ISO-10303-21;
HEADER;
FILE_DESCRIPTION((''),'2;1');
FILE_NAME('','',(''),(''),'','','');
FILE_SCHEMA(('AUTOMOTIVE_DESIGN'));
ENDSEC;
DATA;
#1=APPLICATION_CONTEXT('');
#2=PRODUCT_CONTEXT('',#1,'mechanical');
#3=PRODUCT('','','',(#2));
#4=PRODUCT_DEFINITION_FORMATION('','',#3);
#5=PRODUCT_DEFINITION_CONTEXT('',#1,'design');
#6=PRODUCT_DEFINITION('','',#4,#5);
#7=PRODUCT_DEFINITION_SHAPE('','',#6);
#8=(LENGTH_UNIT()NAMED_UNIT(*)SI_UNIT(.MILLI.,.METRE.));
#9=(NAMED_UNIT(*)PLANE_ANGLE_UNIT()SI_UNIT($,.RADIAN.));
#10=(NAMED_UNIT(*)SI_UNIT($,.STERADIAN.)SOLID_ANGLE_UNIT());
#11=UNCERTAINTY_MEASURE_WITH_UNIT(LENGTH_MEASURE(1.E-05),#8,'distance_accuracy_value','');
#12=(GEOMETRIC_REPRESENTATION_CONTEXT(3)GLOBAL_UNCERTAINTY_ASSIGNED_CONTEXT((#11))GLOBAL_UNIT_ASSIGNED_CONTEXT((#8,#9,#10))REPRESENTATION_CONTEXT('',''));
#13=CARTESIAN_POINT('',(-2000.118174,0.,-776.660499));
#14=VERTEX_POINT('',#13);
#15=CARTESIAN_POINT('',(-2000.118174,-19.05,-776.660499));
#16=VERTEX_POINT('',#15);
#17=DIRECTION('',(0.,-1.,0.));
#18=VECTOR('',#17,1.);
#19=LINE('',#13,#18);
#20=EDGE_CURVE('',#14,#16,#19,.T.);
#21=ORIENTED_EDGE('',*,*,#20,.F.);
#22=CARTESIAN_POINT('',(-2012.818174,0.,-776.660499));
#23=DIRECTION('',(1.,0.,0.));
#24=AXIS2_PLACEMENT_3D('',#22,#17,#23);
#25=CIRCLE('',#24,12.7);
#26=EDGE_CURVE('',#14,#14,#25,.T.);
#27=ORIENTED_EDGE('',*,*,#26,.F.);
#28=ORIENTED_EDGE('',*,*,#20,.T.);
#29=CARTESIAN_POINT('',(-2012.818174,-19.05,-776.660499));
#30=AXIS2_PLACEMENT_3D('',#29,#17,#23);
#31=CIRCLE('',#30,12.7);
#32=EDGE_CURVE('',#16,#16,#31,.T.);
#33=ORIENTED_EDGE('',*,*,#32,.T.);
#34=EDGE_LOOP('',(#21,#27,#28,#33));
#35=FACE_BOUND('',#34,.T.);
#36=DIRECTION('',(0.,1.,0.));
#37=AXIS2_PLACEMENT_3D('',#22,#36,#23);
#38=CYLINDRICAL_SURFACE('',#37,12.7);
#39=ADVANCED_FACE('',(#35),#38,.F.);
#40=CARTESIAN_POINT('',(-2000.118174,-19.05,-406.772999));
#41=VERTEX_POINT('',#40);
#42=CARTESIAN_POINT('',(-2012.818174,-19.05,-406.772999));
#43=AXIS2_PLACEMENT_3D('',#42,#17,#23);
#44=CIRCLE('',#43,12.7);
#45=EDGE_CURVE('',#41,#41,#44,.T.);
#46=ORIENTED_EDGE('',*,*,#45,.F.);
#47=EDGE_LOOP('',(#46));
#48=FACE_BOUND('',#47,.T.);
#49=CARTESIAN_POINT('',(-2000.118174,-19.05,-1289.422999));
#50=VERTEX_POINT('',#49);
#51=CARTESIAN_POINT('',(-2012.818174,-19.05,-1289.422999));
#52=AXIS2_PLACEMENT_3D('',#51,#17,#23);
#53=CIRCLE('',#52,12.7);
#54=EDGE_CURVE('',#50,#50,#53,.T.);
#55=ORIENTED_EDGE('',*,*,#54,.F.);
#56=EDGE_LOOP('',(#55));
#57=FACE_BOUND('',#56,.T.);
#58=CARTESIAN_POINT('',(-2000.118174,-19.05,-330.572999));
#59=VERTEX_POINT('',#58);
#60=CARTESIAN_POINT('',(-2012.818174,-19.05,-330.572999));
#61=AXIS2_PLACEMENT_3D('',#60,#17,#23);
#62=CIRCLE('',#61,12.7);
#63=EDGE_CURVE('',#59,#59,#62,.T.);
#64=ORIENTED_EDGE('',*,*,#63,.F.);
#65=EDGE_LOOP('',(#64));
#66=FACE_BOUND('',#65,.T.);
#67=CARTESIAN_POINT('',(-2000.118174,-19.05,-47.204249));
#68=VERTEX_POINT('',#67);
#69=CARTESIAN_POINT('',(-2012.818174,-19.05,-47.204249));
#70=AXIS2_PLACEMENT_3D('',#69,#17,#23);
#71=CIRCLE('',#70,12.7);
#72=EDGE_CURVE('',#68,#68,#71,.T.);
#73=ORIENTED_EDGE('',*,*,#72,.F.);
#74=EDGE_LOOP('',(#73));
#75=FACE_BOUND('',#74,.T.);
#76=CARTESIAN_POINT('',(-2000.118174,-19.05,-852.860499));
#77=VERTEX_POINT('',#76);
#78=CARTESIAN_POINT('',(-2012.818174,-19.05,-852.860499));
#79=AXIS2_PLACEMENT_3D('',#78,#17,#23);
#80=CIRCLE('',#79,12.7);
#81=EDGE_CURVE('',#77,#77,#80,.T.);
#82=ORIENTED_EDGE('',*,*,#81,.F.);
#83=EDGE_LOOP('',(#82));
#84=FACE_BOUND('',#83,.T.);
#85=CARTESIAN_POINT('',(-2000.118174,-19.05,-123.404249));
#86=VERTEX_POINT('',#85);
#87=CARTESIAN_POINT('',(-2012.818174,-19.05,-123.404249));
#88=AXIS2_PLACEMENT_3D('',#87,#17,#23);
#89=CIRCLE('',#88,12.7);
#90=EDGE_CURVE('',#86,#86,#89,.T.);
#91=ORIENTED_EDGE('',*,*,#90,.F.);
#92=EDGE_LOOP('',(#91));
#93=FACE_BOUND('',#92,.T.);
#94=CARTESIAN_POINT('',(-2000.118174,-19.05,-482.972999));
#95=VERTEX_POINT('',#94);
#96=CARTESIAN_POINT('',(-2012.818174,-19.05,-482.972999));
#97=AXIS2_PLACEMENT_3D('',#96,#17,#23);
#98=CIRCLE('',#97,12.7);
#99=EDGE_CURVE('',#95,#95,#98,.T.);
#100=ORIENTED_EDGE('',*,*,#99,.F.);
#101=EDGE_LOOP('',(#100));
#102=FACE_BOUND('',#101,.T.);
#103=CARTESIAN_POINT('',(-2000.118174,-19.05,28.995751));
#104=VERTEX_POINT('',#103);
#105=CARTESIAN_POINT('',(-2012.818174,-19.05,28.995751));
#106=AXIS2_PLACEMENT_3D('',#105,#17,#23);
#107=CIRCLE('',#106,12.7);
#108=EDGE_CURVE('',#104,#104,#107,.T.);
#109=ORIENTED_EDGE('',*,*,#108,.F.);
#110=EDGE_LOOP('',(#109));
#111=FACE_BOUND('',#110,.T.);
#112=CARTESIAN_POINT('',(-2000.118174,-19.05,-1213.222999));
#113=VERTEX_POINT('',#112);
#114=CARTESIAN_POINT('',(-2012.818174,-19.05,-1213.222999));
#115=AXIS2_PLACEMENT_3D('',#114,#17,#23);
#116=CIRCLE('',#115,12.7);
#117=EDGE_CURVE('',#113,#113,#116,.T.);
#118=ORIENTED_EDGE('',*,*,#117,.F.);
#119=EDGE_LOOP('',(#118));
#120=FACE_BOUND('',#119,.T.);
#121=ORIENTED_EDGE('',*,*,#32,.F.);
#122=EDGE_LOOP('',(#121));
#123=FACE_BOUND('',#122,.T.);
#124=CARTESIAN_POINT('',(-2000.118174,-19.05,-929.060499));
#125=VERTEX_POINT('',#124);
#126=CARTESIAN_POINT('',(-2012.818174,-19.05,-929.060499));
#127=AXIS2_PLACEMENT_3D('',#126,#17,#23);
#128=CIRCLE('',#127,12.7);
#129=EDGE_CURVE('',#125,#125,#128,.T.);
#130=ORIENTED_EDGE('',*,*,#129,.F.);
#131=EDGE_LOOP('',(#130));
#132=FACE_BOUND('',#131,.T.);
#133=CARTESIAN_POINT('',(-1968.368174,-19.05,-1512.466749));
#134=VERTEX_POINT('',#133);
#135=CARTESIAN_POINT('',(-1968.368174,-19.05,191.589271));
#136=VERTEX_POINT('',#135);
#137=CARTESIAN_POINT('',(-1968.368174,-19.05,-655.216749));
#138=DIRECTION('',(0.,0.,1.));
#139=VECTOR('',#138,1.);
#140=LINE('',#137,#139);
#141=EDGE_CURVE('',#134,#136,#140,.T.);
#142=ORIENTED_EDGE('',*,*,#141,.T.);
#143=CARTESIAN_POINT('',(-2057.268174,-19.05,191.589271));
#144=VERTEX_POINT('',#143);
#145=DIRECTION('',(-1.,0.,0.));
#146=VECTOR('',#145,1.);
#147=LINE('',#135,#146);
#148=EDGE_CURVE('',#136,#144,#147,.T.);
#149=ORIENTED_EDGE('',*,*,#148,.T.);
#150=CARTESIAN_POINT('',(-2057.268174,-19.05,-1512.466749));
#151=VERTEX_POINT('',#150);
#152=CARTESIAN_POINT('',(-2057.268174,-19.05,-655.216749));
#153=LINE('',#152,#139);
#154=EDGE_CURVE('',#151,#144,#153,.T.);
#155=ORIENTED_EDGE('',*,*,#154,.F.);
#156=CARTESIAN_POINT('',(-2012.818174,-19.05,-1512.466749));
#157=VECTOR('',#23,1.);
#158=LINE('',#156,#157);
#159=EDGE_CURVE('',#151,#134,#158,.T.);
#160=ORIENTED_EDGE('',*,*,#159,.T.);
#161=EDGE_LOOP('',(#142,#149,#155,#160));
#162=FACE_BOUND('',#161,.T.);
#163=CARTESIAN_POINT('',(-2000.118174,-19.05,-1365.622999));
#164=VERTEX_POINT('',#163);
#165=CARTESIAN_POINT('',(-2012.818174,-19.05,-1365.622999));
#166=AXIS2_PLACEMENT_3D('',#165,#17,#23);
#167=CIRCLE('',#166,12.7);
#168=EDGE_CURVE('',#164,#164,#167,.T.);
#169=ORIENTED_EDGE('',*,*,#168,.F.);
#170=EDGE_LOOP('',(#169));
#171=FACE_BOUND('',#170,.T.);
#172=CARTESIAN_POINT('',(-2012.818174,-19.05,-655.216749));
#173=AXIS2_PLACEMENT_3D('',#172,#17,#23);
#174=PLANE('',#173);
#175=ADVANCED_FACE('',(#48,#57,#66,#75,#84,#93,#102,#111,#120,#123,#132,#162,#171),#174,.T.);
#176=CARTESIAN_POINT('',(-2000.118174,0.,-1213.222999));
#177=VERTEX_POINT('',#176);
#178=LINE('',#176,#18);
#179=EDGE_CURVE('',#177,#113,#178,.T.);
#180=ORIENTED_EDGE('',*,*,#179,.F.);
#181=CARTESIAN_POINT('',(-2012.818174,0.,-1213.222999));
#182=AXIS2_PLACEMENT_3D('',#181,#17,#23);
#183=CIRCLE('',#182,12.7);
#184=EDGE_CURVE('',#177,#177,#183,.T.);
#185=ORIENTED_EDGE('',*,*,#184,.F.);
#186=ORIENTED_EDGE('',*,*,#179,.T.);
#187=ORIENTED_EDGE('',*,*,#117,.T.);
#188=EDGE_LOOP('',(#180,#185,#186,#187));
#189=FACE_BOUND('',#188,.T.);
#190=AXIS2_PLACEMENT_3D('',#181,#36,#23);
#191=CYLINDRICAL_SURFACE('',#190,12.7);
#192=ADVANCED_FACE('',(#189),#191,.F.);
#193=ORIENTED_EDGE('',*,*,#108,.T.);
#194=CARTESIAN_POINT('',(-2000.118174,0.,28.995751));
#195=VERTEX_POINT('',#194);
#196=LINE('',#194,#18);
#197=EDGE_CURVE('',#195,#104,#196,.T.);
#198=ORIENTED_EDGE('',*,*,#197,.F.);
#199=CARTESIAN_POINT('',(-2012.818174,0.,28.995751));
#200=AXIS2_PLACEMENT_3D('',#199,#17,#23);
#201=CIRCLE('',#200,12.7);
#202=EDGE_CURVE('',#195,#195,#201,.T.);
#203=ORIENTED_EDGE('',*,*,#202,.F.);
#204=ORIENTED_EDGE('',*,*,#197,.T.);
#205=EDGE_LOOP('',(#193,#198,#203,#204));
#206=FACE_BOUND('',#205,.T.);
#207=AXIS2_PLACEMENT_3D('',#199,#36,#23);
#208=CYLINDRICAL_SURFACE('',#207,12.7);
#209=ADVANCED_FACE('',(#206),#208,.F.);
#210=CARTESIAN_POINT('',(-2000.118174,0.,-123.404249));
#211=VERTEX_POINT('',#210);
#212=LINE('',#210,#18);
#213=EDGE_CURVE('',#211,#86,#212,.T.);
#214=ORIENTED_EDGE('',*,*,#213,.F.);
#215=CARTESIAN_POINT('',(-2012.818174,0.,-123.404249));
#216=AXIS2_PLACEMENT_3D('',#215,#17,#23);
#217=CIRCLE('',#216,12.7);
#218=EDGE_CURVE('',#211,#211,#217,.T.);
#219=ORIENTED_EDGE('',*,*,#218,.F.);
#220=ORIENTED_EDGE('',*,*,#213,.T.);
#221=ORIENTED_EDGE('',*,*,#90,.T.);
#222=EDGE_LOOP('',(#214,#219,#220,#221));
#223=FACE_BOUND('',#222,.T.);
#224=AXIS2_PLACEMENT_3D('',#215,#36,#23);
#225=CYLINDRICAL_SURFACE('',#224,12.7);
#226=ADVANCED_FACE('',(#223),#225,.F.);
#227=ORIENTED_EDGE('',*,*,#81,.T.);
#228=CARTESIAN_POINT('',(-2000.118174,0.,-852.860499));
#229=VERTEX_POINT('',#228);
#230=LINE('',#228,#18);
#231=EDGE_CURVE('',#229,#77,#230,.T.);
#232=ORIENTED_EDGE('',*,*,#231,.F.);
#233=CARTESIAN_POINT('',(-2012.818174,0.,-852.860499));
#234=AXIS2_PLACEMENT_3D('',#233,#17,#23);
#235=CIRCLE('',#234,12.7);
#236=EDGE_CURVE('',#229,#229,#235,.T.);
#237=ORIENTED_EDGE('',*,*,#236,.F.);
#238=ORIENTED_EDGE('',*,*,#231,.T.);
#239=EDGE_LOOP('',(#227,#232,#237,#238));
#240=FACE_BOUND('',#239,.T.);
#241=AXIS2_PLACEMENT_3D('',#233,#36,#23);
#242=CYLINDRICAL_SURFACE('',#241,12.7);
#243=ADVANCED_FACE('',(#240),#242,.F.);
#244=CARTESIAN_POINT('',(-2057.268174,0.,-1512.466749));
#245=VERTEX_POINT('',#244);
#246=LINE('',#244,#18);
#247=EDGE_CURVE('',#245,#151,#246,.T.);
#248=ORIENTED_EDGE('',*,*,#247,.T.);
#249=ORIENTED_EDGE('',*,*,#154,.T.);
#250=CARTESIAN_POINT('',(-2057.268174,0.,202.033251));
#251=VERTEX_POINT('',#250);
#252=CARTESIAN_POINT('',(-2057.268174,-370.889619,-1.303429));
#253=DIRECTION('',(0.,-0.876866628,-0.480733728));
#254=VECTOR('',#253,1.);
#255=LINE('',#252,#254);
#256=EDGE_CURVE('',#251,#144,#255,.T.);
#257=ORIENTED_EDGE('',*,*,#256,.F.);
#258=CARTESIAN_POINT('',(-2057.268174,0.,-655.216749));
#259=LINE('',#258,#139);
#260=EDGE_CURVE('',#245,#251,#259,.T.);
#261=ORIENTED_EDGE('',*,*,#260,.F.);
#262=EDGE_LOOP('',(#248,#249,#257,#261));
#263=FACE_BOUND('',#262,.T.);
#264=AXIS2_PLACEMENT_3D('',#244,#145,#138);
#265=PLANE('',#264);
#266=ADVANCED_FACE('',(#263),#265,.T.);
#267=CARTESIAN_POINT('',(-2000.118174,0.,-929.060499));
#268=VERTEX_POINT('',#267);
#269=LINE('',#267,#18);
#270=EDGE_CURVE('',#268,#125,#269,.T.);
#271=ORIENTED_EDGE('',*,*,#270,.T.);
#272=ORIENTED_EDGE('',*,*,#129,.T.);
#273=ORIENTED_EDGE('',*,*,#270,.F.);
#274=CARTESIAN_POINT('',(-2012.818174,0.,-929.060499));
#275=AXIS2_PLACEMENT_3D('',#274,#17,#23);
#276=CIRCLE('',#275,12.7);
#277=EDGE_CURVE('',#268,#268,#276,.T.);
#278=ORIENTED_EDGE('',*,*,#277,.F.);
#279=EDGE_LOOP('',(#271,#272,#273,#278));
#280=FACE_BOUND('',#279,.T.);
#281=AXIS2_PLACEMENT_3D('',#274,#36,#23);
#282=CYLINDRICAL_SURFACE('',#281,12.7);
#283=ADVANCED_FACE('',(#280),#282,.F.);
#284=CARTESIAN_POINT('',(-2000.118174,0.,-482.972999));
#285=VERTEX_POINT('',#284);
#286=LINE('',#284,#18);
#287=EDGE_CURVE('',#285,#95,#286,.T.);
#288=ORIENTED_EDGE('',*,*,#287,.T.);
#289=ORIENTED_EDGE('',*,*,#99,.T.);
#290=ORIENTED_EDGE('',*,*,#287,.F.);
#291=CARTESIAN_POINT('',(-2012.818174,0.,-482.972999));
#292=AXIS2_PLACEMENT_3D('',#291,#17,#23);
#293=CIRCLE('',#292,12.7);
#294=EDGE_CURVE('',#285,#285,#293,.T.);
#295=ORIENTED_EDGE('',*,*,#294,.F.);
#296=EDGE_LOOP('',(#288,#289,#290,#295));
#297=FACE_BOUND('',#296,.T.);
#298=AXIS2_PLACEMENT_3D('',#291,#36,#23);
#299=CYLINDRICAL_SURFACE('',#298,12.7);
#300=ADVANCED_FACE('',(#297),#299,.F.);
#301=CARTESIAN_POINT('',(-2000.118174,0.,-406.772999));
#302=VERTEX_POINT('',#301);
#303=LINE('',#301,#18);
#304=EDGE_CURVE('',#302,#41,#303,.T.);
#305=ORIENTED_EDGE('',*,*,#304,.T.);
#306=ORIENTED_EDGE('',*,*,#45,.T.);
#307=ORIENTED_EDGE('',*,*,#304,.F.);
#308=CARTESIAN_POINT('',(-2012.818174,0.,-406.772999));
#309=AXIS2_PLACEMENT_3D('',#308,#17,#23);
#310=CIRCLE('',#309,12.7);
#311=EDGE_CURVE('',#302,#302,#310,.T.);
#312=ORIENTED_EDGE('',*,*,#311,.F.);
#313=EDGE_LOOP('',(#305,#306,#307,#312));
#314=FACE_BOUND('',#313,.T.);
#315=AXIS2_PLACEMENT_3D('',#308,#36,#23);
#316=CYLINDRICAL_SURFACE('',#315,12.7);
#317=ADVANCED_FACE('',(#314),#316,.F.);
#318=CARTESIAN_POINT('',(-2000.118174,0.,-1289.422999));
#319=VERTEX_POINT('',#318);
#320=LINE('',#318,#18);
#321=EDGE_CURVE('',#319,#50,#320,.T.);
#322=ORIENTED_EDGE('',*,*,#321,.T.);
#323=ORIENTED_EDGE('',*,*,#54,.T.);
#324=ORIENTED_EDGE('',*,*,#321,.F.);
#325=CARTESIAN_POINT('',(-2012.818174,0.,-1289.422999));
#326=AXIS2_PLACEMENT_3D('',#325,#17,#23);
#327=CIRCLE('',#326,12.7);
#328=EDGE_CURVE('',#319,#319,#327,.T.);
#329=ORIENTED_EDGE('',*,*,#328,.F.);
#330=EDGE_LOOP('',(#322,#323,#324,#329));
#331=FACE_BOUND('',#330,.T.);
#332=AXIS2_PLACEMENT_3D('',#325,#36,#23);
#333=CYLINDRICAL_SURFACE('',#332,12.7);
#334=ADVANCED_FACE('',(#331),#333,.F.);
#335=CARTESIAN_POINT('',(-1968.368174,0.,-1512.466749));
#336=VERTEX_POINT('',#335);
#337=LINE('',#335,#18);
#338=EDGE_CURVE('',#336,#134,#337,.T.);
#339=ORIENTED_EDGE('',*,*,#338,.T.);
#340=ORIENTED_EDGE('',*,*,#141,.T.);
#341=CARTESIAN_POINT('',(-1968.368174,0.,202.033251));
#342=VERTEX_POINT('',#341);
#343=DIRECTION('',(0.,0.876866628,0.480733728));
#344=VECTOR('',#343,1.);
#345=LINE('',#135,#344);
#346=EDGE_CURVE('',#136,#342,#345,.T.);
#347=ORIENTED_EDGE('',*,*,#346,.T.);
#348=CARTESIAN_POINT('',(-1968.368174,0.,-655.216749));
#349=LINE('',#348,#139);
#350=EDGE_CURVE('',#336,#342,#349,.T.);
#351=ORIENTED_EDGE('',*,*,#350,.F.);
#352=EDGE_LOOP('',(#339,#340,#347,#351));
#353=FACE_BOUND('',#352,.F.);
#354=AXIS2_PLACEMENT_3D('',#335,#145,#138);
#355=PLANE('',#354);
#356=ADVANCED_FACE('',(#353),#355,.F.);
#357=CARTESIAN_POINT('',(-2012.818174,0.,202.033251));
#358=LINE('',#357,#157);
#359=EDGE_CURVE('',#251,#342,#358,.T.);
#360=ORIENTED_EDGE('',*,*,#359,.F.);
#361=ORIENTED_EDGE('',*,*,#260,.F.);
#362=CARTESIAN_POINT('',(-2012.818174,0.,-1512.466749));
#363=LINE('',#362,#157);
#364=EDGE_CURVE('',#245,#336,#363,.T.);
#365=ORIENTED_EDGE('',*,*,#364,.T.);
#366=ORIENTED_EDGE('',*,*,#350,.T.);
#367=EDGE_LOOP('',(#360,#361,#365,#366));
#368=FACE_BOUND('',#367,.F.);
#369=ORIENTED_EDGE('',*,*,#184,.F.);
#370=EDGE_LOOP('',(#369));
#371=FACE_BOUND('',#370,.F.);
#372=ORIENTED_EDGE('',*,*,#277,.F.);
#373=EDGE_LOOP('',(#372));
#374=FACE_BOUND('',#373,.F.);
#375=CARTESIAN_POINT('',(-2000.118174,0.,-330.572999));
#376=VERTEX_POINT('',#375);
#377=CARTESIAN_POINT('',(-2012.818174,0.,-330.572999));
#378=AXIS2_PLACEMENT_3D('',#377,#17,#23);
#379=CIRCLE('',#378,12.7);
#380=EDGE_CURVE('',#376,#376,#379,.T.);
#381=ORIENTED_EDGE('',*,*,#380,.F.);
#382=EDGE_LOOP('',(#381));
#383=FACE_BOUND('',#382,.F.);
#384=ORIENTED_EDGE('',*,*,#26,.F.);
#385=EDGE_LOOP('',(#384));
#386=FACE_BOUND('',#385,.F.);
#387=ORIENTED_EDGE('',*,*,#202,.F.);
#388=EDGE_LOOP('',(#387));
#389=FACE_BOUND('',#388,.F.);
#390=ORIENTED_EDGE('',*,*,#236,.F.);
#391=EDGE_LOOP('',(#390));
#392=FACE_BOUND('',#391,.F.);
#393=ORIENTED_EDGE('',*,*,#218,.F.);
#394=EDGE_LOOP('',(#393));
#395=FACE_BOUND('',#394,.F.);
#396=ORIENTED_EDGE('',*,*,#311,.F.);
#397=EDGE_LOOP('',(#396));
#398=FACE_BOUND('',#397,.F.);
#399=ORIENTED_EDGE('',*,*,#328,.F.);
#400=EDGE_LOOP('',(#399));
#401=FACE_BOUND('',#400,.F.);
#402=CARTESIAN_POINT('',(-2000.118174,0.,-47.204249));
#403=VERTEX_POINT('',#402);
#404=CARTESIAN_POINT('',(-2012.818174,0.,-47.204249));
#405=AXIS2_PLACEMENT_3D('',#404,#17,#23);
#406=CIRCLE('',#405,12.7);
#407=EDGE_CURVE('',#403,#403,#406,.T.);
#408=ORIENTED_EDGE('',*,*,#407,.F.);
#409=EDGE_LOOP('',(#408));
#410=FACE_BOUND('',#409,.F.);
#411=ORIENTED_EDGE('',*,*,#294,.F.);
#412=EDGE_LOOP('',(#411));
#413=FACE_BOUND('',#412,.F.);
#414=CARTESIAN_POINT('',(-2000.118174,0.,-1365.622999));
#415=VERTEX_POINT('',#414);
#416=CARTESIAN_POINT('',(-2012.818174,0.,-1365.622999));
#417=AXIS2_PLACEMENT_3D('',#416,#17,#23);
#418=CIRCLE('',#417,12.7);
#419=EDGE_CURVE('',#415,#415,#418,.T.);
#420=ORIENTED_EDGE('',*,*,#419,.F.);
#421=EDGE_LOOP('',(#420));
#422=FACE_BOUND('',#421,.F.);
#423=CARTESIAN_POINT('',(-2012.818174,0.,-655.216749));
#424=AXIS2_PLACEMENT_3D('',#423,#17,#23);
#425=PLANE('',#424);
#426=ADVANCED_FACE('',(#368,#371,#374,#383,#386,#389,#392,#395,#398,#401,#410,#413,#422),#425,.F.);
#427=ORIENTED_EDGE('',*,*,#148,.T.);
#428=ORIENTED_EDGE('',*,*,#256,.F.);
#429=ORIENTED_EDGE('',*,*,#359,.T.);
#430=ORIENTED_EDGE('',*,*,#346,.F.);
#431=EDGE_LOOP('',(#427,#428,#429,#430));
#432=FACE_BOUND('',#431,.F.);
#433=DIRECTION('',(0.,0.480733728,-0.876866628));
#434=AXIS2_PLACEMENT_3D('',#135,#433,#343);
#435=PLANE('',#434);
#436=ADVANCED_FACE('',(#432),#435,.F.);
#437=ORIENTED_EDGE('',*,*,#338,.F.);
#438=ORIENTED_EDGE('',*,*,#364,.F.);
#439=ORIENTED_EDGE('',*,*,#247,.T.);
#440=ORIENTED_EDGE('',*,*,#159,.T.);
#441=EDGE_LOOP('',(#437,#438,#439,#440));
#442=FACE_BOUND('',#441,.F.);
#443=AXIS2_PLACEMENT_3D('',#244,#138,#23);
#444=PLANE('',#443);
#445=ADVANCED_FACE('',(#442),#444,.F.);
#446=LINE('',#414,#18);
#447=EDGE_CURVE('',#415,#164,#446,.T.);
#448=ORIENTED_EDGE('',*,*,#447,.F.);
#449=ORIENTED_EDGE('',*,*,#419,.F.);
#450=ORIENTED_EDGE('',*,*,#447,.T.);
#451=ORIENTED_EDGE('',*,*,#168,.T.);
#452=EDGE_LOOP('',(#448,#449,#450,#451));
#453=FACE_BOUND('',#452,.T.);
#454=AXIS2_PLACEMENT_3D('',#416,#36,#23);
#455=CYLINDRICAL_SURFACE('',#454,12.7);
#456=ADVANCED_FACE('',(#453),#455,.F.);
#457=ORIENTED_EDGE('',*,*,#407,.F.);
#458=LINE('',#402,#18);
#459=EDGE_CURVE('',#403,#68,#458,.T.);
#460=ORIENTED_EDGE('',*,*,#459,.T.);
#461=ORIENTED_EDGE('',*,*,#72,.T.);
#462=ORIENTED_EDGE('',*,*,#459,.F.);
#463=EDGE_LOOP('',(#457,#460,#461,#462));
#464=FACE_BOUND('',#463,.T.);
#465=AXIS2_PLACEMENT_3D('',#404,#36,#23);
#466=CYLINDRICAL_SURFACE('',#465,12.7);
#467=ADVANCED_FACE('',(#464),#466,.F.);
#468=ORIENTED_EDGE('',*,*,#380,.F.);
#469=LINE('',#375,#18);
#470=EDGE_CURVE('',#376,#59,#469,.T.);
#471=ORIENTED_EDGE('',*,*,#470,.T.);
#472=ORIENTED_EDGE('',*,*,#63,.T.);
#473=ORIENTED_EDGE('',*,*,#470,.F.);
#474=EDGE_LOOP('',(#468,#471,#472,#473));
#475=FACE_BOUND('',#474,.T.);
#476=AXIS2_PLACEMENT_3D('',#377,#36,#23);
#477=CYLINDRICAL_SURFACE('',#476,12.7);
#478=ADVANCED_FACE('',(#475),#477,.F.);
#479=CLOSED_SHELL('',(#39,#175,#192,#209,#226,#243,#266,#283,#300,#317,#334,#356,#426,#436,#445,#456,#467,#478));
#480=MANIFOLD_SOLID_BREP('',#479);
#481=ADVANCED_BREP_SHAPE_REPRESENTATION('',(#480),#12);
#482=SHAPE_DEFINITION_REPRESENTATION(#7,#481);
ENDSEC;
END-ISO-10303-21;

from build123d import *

# Parameters (mm, degrees)
F0_W     = 88.9
F0_H     = 1714.5
F0_R     = 12.7
F1_DEPTH = 19.05
F3_DEPTH = 88.901


with BuildPart() as f1:
    # F0 (on Front) → F1 (new body)
    with BuildSketch(Plane.XZ):
        with Locations((-2012.818174, -655.216749)):
            Rectangle(F0_W, F0_H)
        with Locations((-2012.818174, -1365.622999)):
            Circle(F0_R, mode=Mode.SUBTRACT)
        with Locations((-2012.818174, -1289.422999)):
            Circle(F0_R, mode=Mode.SUBTRACT)
        with Locations((-2012.818174, -1213.222999)):
            Circle(F0_R, mode=Mode.SUBTRACT)
        with Locations((-2012.818174, -929.060499)):
            Circle(F0_R, mode=Mode.SUBTRACT)
        with Locations((-2012.818174, -852.860499)):
            Circle(F0_R, mode=Mode.SUBTRACT)
        with Locations((-2012.818174, -776.660499)):
            Circle(F0_R, mode=Mode.SUBTRACT)
        with Locations((-2012.818174, -482.972999)):
            Circle(F0_R, mode=Mode.SUBTRACT)
        with Locations((-2012.818174, -406.772999)):
            Circle(F0_R, mode=Mode.SUBTRACT)
        with Locations((-2012.818174, -330.572999)):
            Circle(F0_R, mode=Mode.SUBTRACT)
        with Locations((-2012.818174, -123.404249)):
            Circle(F0_R, mode=Mode.SUBTRACT)
        with Locations((-2012.818174, -47.204249)):
            Circle(F0_R, mode=Mode.SUBTRACT)
        with Locations((-2012.818174, 28.995751)):
            Circle(F0_R, mode=Mode.SUBTRACT)
    extrude(amount=F1_DEPTH)

    # F2 (on face) → F3 (cut, through all)
    with BuildSketch(Plane.YZ.offset(-1968.368174)):
        Polygon((-19.05, 191.589271), (0, 202.033251), (-19.05, 202.033251), align=None)
    extrude(amount=-F3_DEPTH, mode=Mode.SUBTRACT)


solid = f1.part
